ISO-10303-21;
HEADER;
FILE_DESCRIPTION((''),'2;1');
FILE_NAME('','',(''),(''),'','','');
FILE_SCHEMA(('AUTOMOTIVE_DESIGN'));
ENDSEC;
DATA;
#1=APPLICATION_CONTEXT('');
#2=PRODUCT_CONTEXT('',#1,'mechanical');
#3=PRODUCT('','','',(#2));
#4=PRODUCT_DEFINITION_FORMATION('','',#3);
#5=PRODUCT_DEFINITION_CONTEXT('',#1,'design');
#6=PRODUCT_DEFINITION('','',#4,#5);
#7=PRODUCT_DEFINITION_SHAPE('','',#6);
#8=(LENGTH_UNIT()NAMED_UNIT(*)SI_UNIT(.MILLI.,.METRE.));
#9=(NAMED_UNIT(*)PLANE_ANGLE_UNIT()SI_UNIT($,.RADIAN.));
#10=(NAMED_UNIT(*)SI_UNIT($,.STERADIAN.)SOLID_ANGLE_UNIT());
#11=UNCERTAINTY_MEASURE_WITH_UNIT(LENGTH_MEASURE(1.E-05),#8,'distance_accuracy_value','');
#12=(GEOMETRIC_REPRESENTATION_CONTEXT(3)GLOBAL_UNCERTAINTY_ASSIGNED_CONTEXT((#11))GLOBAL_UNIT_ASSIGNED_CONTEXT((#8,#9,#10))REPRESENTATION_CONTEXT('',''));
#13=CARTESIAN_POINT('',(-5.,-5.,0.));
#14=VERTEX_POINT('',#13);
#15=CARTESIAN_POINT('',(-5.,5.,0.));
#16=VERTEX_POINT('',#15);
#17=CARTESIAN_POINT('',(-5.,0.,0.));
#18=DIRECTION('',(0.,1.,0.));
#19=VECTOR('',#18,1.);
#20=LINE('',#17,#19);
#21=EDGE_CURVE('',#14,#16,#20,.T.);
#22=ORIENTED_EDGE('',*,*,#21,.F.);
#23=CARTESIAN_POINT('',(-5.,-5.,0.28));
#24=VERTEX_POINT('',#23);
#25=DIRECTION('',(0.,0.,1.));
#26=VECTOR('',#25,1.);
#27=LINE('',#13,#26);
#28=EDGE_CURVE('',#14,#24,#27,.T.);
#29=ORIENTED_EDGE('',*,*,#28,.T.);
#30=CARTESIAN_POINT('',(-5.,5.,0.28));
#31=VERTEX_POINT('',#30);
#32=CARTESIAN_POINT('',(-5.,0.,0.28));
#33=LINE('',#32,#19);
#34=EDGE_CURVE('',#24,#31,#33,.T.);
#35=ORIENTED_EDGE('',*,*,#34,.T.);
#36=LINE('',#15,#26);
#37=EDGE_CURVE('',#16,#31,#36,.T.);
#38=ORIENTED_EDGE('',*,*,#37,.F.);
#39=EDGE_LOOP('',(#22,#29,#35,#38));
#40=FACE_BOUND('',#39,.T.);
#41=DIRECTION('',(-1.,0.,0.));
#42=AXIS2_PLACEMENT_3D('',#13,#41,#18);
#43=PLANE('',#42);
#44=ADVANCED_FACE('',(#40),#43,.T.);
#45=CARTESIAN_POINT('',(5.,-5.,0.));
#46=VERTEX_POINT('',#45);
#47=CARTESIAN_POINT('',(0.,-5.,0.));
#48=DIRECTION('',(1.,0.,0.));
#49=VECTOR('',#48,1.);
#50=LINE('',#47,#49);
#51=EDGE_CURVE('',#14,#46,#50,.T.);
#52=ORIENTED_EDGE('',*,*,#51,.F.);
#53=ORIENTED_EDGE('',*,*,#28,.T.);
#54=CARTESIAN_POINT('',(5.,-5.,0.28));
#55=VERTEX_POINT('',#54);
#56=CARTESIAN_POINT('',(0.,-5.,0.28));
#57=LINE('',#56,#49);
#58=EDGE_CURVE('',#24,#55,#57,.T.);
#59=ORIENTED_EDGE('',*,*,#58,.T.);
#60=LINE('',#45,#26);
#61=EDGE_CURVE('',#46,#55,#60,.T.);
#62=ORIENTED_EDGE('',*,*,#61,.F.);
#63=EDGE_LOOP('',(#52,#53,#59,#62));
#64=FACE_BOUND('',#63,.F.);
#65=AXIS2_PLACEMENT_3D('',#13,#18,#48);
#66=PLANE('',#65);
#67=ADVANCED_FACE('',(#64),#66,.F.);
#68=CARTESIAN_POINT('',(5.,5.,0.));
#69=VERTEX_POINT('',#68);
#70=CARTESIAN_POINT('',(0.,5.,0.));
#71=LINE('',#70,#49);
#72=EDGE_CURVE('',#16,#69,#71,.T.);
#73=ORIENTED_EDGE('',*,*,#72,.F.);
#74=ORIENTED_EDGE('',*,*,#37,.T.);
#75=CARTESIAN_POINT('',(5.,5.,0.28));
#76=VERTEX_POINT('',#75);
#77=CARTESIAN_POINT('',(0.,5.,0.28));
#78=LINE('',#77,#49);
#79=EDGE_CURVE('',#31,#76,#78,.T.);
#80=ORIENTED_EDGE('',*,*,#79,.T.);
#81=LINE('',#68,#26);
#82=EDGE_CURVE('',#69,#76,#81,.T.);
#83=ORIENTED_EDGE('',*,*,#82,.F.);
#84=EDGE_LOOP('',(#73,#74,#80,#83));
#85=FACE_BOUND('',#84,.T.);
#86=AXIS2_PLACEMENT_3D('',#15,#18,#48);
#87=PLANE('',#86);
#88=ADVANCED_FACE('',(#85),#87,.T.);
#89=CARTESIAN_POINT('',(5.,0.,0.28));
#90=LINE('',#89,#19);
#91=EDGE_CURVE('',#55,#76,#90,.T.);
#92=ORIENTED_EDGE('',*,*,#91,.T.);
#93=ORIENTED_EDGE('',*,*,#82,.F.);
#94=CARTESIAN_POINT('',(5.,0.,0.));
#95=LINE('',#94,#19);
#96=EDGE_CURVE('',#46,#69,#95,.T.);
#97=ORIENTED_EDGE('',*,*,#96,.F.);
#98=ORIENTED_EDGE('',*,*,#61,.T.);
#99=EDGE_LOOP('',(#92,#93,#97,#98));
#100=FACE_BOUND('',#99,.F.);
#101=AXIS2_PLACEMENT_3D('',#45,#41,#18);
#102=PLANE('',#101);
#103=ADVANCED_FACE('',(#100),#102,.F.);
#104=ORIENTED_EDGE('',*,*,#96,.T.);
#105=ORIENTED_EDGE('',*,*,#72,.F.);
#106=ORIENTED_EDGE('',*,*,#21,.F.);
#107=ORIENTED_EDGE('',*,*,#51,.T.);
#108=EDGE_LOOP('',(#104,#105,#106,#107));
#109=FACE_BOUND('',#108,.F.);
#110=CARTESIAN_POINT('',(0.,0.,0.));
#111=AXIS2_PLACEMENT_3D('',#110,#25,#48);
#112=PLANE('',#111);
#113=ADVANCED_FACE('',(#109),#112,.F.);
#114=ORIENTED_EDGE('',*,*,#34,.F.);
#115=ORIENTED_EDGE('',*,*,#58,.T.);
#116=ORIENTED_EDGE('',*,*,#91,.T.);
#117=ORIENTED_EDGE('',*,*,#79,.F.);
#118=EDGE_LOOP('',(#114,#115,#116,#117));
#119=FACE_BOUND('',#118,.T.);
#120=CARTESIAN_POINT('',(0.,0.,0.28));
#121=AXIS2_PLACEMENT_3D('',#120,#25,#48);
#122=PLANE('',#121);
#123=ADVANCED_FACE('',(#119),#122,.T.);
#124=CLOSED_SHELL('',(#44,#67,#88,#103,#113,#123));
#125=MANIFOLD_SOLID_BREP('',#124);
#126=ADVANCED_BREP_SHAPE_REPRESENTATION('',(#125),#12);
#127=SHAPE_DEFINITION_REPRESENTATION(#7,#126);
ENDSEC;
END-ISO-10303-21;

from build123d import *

# Parameters (mm, degrees)
SKETCH_W  = 10
SKETCH_H  = 10
PAD_DEPTH = 0.28


with BuildPart() as part:
    # Sketch → Pad (new body)
    with BuildSketch(Plane.XY):
        Rectangle(SKETCH_W, SKETCH_H)
    extrude(amount=PAD_DEPTH)


solid = part.part
